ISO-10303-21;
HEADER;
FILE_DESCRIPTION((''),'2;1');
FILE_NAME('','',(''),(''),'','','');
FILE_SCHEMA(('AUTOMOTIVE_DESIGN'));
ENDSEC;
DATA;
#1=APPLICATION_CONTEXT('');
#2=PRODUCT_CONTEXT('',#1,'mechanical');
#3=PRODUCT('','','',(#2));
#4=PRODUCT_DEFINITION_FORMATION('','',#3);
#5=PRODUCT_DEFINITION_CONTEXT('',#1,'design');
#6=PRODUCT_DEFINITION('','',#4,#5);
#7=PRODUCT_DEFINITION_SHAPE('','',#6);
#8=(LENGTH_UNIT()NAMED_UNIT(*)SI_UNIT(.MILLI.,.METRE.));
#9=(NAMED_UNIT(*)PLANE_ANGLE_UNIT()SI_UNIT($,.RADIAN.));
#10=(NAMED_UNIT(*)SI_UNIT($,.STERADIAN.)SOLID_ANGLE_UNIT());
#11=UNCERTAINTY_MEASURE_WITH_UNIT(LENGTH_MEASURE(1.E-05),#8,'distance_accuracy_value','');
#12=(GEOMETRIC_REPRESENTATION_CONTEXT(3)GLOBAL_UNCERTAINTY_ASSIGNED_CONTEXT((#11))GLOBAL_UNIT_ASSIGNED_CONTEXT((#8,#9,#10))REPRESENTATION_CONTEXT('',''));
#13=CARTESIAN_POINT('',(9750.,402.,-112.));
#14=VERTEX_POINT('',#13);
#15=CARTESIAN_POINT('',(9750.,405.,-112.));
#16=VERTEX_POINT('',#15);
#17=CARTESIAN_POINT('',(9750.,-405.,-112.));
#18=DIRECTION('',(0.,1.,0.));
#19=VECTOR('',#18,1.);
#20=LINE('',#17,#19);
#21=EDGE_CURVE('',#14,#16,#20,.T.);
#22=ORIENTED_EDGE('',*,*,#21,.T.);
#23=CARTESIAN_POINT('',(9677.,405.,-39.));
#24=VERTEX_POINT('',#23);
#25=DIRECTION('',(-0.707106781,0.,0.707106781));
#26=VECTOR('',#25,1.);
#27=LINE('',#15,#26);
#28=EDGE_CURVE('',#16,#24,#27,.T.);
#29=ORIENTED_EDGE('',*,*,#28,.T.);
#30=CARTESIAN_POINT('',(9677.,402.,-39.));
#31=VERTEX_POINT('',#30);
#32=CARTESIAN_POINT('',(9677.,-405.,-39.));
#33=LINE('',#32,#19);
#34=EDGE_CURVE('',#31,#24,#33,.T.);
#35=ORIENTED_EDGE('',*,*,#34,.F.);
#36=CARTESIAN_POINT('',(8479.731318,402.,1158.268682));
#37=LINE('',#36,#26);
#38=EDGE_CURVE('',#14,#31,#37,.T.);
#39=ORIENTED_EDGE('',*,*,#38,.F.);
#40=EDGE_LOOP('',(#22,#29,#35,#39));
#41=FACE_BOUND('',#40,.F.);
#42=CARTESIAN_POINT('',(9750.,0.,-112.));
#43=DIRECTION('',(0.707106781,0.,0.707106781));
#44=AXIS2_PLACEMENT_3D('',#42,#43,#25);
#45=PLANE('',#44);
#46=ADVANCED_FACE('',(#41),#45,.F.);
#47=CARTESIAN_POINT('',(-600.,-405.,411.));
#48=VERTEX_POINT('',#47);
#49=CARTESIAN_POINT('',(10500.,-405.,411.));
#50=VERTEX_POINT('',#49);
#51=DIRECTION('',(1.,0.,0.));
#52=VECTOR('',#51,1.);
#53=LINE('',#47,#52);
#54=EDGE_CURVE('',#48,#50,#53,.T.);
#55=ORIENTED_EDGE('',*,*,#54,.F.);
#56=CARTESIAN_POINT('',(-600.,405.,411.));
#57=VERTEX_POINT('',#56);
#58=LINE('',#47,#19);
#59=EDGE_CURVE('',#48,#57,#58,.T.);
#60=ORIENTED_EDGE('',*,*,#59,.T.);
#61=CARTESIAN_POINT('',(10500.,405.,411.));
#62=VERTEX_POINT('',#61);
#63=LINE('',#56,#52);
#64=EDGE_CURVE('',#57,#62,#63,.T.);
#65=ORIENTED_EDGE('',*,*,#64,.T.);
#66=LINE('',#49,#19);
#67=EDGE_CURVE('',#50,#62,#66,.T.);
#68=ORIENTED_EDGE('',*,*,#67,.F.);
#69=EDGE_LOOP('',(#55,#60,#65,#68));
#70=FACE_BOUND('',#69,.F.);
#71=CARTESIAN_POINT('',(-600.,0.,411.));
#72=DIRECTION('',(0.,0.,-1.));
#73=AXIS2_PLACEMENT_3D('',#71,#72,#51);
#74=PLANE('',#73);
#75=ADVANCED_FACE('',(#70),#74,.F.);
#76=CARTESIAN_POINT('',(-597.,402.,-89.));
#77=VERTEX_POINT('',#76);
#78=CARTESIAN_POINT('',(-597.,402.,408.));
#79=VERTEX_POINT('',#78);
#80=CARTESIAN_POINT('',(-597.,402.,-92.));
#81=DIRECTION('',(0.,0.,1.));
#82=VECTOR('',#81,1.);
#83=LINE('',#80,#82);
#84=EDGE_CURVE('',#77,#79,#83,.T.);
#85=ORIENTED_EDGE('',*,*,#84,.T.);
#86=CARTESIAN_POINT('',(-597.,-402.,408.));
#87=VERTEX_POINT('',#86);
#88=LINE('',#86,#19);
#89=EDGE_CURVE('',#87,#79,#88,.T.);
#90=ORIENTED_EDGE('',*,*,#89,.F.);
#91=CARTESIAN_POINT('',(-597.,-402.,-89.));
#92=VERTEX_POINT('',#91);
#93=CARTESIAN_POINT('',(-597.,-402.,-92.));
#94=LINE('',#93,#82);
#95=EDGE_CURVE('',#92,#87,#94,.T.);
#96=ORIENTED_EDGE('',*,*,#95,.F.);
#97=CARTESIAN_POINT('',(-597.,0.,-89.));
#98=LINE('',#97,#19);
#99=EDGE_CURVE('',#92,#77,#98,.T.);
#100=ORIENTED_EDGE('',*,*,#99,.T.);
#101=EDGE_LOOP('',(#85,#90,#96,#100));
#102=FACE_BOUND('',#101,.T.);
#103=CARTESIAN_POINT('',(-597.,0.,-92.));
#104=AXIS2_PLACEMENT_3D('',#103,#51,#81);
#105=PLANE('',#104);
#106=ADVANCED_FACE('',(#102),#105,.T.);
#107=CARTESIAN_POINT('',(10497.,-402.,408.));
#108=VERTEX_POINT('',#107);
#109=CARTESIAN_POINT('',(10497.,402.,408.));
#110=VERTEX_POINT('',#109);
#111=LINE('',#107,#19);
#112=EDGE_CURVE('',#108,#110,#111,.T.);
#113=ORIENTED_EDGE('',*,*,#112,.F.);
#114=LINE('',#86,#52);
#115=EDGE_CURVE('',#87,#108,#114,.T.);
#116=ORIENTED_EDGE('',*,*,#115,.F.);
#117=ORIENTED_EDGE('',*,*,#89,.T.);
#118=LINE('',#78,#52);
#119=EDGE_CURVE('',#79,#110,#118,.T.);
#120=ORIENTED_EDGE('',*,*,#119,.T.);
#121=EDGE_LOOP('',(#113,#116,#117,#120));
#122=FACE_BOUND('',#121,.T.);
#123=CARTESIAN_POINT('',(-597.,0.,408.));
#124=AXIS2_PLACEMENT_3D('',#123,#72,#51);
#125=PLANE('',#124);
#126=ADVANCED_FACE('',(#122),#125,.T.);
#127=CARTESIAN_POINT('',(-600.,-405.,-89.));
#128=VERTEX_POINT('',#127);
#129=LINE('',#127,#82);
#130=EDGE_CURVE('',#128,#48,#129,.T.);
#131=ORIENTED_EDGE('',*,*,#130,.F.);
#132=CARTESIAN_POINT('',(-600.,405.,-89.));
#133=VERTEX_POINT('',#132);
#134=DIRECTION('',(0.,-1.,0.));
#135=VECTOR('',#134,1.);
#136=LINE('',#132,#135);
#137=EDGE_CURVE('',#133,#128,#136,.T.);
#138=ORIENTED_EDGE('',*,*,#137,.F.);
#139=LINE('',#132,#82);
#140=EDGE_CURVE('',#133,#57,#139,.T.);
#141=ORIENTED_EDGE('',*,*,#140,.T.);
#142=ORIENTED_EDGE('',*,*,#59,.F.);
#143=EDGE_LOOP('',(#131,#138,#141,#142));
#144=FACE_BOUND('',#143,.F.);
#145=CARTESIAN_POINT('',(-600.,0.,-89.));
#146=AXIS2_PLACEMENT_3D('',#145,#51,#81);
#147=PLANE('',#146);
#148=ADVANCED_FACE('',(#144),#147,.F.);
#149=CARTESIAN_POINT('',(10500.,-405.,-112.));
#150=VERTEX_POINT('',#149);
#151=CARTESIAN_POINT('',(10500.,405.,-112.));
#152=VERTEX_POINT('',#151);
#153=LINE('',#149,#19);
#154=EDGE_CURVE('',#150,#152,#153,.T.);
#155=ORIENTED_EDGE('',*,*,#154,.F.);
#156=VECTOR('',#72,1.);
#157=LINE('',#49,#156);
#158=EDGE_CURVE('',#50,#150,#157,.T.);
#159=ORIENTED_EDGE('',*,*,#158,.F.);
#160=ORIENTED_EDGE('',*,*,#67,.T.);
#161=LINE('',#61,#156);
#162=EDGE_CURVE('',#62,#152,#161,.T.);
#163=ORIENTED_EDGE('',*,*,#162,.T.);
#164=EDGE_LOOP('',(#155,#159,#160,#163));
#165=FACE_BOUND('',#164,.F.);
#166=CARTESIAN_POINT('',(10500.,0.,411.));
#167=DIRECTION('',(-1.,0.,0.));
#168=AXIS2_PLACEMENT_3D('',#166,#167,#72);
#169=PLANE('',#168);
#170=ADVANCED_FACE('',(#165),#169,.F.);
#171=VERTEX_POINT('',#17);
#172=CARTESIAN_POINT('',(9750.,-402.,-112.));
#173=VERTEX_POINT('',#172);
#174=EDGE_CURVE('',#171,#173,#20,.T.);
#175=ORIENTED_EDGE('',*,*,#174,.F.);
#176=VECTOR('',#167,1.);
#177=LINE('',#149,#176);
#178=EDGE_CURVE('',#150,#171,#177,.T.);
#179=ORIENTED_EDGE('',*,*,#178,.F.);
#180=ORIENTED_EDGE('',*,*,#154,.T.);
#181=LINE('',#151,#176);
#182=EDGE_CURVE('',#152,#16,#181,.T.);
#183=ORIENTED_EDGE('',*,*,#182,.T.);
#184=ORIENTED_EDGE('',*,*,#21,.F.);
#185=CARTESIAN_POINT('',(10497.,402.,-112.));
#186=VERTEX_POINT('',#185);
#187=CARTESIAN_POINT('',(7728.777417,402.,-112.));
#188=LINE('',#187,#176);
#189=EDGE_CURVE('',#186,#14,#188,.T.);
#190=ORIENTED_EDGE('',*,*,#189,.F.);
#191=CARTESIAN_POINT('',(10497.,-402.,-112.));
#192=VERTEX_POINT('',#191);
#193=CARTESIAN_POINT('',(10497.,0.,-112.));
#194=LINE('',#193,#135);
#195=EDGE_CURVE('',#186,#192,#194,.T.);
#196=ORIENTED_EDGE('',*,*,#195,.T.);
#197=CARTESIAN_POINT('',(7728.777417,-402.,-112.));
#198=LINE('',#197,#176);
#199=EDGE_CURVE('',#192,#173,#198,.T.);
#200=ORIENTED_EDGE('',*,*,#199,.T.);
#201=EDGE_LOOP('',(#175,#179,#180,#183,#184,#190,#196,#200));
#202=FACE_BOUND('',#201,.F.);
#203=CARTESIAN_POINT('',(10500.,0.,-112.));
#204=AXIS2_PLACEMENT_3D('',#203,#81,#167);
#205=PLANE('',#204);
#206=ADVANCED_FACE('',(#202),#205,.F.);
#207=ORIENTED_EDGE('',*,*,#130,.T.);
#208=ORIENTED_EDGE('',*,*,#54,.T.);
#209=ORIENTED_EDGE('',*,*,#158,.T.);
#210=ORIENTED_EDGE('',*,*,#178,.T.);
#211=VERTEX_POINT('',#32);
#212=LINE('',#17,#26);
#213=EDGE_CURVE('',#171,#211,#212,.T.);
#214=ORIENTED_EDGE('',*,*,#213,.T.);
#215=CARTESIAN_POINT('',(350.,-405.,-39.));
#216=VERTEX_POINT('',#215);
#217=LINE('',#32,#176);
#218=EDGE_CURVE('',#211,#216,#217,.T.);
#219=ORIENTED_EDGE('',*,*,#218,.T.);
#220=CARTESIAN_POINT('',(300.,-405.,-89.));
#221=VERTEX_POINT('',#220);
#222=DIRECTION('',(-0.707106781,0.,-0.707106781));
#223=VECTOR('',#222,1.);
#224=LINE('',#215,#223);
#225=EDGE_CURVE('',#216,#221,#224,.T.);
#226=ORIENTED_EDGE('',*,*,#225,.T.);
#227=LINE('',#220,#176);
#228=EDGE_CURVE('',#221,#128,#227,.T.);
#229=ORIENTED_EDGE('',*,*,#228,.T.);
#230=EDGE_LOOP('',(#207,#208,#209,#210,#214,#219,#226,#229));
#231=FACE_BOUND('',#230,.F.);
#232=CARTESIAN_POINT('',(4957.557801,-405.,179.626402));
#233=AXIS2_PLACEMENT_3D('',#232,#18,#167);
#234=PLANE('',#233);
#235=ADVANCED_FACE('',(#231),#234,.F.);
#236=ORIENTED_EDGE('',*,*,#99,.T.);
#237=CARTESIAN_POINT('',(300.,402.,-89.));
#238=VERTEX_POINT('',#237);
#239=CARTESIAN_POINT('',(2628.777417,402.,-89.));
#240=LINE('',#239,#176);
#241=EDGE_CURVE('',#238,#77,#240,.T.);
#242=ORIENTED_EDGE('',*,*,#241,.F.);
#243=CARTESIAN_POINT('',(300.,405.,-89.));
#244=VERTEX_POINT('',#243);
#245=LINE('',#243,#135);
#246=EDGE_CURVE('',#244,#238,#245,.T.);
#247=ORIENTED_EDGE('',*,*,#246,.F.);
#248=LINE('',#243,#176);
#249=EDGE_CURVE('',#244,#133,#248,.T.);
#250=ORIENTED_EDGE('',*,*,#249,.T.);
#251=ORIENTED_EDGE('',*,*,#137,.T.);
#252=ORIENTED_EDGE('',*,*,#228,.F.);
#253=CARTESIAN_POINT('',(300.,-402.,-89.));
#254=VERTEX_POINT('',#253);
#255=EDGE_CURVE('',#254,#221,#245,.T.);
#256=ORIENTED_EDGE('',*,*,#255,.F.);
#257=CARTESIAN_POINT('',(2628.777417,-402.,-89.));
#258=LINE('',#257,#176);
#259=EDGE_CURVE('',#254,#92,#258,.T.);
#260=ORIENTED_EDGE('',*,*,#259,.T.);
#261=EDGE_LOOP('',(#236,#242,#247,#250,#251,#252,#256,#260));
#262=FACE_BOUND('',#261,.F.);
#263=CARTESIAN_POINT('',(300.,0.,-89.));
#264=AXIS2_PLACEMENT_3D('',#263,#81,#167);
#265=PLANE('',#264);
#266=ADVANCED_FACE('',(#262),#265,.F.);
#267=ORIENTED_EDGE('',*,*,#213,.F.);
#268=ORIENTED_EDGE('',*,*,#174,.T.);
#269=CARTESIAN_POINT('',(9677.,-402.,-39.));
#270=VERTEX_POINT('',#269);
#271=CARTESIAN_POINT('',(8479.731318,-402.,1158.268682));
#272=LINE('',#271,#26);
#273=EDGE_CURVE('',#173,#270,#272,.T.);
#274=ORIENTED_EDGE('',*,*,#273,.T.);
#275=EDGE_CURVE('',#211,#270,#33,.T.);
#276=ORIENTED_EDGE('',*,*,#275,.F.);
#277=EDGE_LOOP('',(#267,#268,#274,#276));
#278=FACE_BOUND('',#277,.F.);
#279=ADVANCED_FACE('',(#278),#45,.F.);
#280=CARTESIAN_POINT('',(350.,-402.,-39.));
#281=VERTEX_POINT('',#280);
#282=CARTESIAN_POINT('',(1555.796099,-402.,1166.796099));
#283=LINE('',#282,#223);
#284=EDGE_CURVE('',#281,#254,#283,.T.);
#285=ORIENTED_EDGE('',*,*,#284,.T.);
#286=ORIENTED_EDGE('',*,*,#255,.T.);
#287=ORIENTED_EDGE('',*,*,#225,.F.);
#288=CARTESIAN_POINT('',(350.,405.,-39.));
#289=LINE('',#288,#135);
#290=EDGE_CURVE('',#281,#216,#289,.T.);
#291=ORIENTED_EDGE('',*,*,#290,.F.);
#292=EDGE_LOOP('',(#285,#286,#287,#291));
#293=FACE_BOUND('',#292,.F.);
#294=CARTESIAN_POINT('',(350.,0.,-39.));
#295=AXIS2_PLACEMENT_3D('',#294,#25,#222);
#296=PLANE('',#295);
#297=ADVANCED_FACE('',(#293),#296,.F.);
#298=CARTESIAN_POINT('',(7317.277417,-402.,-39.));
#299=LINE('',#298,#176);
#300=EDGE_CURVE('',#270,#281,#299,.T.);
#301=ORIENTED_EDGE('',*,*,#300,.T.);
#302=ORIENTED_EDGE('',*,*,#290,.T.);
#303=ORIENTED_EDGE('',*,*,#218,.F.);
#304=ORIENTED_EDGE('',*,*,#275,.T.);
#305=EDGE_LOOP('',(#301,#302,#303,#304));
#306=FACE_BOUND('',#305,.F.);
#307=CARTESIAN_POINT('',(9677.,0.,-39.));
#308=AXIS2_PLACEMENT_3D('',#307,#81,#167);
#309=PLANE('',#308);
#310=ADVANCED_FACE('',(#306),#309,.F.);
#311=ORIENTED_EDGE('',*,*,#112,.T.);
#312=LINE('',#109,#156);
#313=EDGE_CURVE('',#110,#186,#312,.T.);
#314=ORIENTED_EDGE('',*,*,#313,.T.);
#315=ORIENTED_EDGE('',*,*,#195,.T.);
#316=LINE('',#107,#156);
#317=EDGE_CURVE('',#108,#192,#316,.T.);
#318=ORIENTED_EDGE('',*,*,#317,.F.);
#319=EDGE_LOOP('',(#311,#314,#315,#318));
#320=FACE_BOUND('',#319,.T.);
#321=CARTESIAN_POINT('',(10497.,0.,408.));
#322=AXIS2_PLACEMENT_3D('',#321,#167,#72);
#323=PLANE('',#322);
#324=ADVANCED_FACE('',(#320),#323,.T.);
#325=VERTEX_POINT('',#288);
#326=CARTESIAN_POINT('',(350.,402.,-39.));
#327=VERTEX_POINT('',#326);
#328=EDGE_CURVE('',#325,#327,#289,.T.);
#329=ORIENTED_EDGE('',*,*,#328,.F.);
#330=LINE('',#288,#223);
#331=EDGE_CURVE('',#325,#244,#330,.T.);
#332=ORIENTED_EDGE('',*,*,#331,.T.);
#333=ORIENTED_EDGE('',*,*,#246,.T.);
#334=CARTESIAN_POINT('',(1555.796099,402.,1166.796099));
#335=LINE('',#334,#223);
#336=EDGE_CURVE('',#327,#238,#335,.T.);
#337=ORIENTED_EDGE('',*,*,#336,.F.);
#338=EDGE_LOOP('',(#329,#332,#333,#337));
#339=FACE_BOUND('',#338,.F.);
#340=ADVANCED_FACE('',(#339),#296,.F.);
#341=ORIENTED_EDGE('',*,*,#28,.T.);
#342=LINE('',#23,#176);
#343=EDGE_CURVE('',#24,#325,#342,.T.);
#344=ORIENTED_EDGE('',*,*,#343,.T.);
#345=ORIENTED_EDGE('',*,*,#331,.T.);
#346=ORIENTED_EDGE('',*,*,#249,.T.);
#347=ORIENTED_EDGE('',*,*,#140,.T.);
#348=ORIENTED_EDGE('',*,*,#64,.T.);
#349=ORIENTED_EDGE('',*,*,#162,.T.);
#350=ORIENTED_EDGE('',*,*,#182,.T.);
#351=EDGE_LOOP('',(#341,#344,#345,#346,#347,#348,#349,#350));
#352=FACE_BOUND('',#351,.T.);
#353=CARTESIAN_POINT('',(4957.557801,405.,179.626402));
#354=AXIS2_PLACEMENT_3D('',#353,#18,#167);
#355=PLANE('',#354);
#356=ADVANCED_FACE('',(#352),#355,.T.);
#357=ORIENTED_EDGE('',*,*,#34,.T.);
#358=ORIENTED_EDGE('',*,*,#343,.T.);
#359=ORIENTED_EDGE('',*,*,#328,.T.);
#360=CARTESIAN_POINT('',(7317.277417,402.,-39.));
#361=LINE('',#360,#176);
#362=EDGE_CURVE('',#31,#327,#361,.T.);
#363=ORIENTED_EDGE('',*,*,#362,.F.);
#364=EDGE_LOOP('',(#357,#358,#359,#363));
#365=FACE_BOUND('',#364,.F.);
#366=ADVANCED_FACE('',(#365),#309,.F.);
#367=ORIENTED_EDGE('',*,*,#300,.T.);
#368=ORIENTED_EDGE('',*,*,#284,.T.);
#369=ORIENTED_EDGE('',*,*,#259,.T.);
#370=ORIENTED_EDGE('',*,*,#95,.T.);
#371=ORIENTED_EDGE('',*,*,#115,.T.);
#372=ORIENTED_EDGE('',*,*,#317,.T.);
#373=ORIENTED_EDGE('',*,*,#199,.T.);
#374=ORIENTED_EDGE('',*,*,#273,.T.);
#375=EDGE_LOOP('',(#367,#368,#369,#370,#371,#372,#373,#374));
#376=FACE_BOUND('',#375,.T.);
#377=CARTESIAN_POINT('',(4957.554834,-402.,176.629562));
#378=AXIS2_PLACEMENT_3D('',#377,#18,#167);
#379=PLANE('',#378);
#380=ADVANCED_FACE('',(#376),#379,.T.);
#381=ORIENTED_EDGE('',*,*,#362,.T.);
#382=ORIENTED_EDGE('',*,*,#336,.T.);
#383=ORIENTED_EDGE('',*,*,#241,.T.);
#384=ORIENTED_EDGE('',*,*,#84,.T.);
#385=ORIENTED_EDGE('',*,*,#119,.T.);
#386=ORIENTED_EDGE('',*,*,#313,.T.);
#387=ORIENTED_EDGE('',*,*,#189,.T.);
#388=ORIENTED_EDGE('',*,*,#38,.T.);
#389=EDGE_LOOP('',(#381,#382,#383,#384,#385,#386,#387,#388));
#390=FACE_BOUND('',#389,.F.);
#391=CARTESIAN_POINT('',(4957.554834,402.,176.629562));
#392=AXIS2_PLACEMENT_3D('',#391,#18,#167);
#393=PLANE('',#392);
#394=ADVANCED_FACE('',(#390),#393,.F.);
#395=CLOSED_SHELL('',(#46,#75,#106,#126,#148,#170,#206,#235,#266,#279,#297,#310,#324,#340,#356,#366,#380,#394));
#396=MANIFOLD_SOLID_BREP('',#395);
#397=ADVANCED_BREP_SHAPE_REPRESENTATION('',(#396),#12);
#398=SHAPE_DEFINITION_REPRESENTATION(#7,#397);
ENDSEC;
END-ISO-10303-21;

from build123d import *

# Parameters (mm, degrees)
EXTRUDE033_DEPTH = 402
EXTRUDE012_DEPTH = 405


with BuildPart() as extrude033:
    # Sketch034 → Extrude033 (new body, symmetric)
    with BuildSketch(Plane.XZ):
        Polygon((-597, -89), (-597, 411), (10497, 411), (10497, -112), (9747, -112), (9674, -39), (350, -39), (300, -89), align=None)
    extrude(amount=EXTRUDE033_DEPTH, both=True)


with BuildPart() as extrude033_1:
    # Extrude033 placement: moved
    add(extrude033.part.moved(Location((0, 0, -3))))


with BuildPart() as cut003:
    # Sketch020 → Extrude012 (new body, symmetric)
    with BuildSketch(Plane.XZ):
        Polygon((-600, -89), (-600, 411), (10500, 411), (10500, -112), (9750, -112), (9677, -39), (350, -39), (300, -89), align=None)
    extrude(amount=EXTRUDE012_DEPTH, both=True)

    # Cut003: cut Extrude033
    add(extrude033_1.part, mode=Mode.SUBTRACT)


solid = cut003.part
